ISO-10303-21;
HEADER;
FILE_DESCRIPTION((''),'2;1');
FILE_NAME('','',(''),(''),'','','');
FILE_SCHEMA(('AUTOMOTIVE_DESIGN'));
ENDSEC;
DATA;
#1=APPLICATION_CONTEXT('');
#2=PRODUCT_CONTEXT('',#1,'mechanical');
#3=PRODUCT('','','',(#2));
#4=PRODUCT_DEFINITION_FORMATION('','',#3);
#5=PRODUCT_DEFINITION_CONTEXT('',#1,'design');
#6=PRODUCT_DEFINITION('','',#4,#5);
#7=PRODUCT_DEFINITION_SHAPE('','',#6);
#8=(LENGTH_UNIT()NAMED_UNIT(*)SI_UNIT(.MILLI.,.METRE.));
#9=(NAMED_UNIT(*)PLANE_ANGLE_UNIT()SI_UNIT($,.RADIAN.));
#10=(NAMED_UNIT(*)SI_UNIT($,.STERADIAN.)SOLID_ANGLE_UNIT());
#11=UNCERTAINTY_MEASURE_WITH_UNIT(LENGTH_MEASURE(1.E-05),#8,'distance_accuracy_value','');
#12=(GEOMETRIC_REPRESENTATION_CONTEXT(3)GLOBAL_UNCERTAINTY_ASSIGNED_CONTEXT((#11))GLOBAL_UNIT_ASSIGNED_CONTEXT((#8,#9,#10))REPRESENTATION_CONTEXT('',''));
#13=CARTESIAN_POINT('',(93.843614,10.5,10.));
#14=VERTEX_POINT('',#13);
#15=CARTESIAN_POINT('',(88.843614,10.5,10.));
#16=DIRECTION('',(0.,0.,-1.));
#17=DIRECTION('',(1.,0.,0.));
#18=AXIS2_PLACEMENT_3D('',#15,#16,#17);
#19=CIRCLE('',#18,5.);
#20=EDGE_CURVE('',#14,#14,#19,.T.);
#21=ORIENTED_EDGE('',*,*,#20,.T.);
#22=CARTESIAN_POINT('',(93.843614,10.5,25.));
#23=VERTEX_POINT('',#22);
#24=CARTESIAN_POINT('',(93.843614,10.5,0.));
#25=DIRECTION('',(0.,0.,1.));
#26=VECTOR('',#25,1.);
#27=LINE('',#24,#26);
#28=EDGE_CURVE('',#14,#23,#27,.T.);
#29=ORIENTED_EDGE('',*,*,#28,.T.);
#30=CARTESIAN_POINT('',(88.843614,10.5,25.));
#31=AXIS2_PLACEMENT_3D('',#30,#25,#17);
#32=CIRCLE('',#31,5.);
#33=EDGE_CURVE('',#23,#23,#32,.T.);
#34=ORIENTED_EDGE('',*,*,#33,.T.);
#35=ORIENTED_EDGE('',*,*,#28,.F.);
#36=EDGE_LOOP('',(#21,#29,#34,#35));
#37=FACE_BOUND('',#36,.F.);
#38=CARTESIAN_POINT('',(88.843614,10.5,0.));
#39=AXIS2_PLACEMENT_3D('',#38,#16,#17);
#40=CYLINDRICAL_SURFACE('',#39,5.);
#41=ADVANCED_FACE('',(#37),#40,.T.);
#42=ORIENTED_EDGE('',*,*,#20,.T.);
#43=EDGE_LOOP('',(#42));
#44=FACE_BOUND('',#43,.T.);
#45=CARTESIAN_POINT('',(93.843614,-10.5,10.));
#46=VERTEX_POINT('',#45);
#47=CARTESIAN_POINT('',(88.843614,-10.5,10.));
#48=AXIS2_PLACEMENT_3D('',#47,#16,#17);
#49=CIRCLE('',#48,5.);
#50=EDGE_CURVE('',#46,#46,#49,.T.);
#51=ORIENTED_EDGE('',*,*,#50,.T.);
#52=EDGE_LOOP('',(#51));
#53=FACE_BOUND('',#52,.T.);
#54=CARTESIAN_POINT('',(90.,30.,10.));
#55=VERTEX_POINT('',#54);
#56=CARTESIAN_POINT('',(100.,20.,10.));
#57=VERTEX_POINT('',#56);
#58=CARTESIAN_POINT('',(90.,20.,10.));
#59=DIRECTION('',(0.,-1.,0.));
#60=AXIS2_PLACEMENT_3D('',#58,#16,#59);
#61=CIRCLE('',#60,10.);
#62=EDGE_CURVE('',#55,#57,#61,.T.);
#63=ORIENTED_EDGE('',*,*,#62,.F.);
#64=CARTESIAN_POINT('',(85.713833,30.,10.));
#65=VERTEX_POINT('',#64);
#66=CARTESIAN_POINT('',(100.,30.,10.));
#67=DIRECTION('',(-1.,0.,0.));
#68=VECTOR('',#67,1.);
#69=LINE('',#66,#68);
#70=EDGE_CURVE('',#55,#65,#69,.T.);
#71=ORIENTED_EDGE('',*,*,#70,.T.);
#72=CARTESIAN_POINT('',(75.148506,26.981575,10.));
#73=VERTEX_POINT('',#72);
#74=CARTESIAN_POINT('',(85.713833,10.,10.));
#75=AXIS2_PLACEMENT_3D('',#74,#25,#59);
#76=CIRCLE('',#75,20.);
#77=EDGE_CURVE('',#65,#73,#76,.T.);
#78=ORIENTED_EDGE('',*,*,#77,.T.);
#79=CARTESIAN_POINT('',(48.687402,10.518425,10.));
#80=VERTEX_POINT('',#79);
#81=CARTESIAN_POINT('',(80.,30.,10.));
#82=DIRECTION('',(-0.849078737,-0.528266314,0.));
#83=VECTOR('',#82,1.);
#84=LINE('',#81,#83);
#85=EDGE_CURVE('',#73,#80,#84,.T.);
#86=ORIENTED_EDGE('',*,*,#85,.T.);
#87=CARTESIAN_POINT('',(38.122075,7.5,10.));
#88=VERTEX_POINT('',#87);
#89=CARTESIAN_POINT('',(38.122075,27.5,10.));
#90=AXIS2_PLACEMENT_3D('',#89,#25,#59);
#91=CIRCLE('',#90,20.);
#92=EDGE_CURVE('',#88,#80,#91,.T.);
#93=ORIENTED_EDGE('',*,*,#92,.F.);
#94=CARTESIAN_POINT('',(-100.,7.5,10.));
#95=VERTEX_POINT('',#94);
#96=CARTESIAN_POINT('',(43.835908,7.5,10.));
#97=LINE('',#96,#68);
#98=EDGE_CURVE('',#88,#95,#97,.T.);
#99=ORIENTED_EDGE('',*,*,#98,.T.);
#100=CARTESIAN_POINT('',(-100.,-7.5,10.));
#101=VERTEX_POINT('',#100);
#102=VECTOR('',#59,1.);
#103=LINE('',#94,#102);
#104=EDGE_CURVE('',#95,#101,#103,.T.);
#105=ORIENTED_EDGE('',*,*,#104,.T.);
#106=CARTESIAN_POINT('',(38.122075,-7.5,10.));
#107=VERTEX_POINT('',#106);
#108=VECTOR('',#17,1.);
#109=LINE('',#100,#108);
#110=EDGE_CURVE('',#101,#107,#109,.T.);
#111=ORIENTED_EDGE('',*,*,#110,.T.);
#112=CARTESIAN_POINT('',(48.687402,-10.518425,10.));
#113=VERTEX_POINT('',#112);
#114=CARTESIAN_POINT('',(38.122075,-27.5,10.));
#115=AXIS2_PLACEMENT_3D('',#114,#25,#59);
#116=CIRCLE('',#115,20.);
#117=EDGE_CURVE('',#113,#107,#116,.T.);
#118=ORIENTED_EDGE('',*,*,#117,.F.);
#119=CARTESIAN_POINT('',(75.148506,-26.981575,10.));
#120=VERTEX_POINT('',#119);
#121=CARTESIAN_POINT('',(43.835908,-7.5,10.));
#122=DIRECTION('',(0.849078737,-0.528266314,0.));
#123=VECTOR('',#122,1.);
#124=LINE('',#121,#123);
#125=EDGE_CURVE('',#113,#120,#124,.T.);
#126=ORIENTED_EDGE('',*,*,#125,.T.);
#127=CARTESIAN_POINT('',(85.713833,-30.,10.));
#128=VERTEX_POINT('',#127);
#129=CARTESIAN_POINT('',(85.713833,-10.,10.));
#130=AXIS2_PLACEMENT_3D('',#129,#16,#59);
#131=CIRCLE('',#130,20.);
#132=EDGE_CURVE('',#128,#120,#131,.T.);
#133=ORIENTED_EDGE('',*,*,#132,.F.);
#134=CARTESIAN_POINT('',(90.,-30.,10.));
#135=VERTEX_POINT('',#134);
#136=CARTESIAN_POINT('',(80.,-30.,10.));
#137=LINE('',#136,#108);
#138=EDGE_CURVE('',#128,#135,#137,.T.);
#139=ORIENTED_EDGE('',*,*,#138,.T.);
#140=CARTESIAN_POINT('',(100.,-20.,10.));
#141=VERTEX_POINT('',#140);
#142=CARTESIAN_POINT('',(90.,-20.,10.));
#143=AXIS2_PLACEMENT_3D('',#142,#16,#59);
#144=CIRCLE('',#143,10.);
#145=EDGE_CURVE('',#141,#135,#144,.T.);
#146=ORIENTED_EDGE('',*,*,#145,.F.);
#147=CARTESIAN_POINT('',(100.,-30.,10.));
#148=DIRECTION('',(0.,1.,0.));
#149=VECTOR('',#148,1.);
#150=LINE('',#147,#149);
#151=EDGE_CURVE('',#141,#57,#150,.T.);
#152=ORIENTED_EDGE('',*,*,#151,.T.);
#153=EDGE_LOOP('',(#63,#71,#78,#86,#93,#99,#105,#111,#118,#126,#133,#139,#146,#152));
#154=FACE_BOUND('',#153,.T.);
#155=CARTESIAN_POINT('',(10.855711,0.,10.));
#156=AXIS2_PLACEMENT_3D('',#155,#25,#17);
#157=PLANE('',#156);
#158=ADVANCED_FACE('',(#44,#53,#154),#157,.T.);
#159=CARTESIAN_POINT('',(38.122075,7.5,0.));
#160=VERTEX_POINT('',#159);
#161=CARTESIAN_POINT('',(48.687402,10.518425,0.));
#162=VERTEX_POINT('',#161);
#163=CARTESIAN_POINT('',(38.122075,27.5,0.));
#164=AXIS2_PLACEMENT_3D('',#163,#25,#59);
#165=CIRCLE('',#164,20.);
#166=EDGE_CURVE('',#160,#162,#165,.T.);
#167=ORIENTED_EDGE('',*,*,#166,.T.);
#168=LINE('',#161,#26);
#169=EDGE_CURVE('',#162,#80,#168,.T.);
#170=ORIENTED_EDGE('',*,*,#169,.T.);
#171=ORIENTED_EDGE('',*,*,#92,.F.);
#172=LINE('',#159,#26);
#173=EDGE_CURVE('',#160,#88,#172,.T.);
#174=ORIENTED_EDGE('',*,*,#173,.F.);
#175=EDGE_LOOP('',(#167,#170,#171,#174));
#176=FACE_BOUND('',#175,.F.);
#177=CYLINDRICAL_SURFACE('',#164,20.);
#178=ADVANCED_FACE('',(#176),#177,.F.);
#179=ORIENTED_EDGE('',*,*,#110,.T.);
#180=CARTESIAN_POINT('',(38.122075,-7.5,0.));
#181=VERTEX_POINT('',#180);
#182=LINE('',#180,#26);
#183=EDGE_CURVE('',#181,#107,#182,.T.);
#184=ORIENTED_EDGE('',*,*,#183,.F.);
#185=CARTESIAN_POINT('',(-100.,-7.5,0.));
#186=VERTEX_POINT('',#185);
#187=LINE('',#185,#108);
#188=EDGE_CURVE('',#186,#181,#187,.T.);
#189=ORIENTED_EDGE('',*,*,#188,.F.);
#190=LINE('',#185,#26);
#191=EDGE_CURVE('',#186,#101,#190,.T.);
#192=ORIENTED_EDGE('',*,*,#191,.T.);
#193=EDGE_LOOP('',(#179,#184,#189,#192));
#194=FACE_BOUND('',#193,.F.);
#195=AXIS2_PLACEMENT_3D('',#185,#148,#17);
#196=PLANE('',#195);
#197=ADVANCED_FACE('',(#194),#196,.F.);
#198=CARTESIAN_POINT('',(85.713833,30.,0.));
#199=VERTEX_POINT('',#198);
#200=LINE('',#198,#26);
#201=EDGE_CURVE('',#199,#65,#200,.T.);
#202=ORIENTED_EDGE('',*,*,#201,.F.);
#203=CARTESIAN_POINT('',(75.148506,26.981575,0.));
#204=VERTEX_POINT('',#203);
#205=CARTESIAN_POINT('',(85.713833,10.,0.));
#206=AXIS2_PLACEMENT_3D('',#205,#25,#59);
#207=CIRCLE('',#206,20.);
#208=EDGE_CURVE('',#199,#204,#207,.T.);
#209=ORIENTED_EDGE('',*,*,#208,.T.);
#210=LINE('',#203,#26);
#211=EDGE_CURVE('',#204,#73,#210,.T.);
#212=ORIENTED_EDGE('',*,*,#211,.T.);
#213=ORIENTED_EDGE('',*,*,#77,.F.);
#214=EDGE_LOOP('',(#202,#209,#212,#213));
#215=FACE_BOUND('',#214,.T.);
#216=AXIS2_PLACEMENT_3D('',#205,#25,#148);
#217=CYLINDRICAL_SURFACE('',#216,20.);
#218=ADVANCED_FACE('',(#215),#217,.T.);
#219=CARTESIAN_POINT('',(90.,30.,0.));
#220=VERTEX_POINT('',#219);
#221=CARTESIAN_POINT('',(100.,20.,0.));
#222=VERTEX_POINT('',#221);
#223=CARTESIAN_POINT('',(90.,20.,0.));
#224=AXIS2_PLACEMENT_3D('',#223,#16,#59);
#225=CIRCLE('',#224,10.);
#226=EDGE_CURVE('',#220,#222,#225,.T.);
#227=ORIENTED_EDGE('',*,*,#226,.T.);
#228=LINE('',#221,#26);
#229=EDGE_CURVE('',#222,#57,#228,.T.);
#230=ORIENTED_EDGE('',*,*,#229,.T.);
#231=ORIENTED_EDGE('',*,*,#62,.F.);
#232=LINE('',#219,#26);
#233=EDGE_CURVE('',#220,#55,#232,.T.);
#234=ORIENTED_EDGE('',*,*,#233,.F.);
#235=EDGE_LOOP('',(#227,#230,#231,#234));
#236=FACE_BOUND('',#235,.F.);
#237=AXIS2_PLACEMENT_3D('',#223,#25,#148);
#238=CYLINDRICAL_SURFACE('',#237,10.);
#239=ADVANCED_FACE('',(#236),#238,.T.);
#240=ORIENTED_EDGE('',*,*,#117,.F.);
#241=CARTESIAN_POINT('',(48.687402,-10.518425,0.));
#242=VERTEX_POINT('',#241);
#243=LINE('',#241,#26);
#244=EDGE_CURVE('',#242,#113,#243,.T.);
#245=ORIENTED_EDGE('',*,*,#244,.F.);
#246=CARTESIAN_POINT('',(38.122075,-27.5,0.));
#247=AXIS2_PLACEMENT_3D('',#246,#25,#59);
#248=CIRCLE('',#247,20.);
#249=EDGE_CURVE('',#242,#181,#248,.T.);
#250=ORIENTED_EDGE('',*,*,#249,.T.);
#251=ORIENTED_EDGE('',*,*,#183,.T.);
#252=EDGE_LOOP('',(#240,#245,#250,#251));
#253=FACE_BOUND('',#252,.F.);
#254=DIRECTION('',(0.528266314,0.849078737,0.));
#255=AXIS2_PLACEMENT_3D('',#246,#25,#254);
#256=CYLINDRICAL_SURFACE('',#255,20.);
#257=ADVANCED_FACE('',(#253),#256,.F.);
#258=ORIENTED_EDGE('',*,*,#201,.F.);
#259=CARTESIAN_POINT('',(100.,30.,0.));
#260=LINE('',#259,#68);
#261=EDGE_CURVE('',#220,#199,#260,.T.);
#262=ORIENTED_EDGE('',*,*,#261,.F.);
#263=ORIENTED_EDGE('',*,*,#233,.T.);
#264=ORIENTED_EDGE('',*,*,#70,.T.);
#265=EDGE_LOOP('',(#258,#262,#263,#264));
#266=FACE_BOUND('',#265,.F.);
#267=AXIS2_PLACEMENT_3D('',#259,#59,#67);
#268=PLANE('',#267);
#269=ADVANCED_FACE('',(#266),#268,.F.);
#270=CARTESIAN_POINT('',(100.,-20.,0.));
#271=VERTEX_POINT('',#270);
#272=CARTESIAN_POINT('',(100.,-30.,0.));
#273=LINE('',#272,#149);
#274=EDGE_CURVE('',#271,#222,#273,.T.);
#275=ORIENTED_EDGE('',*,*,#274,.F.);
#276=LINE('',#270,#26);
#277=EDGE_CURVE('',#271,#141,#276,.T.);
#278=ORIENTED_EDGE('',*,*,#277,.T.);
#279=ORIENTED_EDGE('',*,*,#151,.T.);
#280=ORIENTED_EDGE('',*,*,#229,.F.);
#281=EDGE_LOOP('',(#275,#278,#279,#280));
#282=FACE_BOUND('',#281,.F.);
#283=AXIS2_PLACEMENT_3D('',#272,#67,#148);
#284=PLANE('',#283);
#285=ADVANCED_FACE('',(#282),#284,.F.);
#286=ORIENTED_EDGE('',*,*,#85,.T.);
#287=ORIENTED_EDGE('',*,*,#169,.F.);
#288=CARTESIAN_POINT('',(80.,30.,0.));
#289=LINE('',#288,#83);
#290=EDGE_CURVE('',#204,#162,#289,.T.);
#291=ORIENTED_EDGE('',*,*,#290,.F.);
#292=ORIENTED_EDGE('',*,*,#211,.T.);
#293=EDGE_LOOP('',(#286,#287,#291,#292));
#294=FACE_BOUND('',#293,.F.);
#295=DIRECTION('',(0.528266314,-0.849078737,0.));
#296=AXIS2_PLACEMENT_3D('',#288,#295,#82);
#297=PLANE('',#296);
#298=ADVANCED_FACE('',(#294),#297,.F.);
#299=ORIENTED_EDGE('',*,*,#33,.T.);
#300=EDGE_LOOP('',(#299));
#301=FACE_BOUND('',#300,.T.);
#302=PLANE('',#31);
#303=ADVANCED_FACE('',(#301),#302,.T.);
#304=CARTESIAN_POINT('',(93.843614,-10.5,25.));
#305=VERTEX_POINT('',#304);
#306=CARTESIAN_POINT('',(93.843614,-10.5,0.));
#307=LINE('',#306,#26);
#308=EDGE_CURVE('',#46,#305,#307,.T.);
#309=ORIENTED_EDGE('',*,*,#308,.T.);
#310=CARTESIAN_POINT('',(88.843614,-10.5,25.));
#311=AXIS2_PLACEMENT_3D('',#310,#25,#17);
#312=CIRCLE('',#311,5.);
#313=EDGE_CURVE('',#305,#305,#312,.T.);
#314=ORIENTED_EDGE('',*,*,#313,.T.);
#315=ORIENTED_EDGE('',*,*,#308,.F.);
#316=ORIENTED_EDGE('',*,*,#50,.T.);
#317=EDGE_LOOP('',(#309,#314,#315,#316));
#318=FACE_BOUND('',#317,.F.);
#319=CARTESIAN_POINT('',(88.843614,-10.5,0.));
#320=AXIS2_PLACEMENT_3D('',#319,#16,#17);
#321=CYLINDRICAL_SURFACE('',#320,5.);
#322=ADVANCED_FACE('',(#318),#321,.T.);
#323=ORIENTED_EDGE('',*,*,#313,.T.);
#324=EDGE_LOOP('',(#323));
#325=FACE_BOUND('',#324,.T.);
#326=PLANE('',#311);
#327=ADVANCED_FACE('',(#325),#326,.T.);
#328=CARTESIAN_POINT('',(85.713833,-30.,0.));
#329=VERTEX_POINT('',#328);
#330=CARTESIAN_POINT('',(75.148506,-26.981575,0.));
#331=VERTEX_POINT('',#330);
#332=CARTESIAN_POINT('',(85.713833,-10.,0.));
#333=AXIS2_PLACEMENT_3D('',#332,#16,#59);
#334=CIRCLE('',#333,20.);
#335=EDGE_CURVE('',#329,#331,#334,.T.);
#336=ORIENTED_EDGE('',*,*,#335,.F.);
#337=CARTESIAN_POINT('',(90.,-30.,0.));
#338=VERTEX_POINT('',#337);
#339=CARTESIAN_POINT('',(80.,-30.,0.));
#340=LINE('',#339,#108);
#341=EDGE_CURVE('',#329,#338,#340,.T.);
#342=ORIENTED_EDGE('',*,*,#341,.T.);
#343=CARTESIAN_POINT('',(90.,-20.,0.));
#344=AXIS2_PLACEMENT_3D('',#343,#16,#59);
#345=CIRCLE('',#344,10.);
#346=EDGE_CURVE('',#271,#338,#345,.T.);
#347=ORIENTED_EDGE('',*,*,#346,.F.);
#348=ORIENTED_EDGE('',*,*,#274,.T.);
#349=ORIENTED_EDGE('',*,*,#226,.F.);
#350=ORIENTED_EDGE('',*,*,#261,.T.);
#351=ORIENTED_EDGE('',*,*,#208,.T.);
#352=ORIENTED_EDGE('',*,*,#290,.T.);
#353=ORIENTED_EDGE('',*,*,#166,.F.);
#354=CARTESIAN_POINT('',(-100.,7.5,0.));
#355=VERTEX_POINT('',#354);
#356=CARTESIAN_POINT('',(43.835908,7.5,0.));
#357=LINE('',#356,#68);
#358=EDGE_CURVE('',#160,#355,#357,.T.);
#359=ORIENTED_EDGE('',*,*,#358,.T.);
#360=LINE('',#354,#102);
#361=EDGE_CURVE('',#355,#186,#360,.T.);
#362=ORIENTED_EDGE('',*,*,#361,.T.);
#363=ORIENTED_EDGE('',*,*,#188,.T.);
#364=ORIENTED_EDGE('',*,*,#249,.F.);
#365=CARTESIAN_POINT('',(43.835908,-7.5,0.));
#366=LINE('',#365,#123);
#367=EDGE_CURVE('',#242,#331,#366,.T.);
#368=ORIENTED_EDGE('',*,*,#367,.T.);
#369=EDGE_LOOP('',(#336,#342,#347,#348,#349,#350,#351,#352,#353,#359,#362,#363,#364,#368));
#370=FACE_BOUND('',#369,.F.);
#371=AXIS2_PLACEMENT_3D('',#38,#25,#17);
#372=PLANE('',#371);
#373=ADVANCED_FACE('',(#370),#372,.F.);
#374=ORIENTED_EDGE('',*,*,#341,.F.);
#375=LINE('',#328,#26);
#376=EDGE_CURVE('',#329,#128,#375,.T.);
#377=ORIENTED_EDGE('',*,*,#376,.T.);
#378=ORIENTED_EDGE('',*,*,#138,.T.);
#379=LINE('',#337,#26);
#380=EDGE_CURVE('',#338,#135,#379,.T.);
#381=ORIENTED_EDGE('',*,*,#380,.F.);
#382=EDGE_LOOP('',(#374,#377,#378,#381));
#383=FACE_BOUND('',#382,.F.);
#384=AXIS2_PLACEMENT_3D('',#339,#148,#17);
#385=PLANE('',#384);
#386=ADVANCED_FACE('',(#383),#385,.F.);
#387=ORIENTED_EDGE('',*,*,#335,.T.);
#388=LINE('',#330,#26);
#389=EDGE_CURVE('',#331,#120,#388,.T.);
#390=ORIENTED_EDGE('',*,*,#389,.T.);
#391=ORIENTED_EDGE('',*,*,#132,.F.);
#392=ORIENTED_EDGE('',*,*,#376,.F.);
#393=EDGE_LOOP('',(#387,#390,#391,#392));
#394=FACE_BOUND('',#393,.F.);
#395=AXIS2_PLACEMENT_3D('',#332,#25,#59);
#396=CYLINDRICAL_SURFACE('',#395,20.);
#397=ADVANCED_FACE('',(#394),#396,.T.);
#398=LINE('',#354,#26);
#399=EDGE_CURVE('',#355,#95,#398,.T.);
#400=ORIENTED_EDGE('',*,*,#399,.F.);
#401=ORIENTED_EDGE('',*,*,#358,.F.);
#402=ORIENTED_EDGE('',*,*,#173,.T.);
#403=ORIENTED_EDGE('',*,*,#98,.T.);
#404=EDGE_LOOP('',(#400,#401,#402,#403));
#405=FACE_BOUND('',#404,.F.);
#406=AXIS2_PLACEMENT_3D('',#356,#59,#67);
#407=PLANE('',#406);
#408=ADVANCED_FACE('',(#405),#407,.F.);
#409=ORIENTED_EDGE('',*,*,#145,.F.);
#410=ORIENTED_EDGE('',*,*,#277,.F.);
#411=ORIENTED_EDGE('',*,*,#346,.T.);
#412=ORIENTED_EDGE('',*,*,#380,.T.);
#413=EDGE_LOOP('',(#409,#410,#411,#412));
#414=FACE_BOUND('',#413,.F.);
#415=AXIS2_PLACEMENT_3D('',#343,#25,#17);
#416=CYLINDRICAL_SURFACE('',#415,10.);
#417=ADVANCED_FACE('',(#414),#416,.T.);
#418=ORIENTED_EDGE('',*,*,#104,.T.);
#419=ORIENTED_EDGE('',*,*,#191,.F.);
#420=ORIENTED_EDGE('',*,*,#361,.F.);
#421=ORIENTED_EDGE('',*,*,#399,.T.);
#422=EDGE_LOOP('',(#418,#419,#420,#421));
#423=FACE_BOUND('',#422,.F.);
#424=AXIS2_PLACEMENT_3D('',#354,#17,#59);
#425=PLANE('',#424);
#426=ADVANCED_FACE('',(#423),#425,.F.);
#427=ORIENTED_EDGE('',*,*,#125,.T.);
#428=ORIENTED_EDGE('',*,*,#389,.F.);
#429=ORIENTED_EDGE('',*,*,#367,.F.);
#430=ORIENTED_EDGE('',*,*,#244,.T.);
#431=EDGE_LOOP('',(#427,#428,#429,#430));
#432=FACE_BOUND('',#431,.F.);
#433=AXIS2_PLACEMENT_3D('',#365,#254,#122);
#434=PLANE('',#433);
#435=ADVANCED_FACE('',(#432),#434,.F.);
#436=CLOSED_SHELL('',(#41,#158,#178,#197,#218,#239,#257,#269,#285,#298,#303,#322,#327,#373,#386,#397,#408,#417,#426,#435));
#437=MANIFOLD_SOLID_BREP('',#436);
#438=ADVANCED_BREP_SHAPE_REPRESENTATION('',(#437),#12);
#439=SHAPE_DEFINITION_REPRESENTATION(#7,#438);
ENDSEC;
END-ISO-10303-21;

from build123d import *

# Parameters (mm, degrees)
F0_R     = 5
F1_DEPTH = 10
F2_DEPTH = 25
F3_DEPTH = 25
F4_R     = 10
F5_R     = 20


with BuildPart() as f1:
    # F0 (on Top) → F1 (new body)
    with BuildSketch(Plane.XY):
        Polygon((80, 30), (43.835908, 7.5), (-100, 7.5), (-100, -7.5), (43.835908, -7.5), (80, -30), (100, -30), (100, 0), (100, 30), align=None)
        with Locations((88.843614, -10.5)):
            Circle(F0_R, mode=Mode.SUBTRACT)
        with Locations((88.843614, 10.5)):
            Circle(F0_R, mode=Mode.SUBTRACT)
        with Locations((88.843614, -10.5)):
            Circle(F0_R)
        with Locations((88.843614, 10.5)):
            Circle(F0_R)
    extrude(amount=F1_DEPTH)

    # F0 (on Top) → F2 (join)
    with BuildSketch(Plane.XY):
        with Locations((88.843614, -10.5)):
            Circle(F0_R)
    extrude(amount=F2_DEPTH)

    # F0 (on Top) → F3 (join)
    with BuildSketch(Plane.XY):
        with Locations((88.843614, 10.5)):
            Circle(F0_R)
    extrude(amount=F3_DEPTH)

    # F4
    f4_edges = [f1.edges().sort_by_distance(p)[0] for p in [
        (100, 30, 5),
        (100, -30, 5),
    ]]
    fillet(f4_edges, radius=F4_R)

    # F5
    f5_edges = [f1.edges().sort_by_distance(p)[0] for p in [
        (80, -30, 5),
        (80, 30, 5),
        (43.835908, 7.5, 5),
        (43.835908, -7.5, 5),
    ]]
    fillet(f5_edges, radius=F5_R)


solid = f1.part
